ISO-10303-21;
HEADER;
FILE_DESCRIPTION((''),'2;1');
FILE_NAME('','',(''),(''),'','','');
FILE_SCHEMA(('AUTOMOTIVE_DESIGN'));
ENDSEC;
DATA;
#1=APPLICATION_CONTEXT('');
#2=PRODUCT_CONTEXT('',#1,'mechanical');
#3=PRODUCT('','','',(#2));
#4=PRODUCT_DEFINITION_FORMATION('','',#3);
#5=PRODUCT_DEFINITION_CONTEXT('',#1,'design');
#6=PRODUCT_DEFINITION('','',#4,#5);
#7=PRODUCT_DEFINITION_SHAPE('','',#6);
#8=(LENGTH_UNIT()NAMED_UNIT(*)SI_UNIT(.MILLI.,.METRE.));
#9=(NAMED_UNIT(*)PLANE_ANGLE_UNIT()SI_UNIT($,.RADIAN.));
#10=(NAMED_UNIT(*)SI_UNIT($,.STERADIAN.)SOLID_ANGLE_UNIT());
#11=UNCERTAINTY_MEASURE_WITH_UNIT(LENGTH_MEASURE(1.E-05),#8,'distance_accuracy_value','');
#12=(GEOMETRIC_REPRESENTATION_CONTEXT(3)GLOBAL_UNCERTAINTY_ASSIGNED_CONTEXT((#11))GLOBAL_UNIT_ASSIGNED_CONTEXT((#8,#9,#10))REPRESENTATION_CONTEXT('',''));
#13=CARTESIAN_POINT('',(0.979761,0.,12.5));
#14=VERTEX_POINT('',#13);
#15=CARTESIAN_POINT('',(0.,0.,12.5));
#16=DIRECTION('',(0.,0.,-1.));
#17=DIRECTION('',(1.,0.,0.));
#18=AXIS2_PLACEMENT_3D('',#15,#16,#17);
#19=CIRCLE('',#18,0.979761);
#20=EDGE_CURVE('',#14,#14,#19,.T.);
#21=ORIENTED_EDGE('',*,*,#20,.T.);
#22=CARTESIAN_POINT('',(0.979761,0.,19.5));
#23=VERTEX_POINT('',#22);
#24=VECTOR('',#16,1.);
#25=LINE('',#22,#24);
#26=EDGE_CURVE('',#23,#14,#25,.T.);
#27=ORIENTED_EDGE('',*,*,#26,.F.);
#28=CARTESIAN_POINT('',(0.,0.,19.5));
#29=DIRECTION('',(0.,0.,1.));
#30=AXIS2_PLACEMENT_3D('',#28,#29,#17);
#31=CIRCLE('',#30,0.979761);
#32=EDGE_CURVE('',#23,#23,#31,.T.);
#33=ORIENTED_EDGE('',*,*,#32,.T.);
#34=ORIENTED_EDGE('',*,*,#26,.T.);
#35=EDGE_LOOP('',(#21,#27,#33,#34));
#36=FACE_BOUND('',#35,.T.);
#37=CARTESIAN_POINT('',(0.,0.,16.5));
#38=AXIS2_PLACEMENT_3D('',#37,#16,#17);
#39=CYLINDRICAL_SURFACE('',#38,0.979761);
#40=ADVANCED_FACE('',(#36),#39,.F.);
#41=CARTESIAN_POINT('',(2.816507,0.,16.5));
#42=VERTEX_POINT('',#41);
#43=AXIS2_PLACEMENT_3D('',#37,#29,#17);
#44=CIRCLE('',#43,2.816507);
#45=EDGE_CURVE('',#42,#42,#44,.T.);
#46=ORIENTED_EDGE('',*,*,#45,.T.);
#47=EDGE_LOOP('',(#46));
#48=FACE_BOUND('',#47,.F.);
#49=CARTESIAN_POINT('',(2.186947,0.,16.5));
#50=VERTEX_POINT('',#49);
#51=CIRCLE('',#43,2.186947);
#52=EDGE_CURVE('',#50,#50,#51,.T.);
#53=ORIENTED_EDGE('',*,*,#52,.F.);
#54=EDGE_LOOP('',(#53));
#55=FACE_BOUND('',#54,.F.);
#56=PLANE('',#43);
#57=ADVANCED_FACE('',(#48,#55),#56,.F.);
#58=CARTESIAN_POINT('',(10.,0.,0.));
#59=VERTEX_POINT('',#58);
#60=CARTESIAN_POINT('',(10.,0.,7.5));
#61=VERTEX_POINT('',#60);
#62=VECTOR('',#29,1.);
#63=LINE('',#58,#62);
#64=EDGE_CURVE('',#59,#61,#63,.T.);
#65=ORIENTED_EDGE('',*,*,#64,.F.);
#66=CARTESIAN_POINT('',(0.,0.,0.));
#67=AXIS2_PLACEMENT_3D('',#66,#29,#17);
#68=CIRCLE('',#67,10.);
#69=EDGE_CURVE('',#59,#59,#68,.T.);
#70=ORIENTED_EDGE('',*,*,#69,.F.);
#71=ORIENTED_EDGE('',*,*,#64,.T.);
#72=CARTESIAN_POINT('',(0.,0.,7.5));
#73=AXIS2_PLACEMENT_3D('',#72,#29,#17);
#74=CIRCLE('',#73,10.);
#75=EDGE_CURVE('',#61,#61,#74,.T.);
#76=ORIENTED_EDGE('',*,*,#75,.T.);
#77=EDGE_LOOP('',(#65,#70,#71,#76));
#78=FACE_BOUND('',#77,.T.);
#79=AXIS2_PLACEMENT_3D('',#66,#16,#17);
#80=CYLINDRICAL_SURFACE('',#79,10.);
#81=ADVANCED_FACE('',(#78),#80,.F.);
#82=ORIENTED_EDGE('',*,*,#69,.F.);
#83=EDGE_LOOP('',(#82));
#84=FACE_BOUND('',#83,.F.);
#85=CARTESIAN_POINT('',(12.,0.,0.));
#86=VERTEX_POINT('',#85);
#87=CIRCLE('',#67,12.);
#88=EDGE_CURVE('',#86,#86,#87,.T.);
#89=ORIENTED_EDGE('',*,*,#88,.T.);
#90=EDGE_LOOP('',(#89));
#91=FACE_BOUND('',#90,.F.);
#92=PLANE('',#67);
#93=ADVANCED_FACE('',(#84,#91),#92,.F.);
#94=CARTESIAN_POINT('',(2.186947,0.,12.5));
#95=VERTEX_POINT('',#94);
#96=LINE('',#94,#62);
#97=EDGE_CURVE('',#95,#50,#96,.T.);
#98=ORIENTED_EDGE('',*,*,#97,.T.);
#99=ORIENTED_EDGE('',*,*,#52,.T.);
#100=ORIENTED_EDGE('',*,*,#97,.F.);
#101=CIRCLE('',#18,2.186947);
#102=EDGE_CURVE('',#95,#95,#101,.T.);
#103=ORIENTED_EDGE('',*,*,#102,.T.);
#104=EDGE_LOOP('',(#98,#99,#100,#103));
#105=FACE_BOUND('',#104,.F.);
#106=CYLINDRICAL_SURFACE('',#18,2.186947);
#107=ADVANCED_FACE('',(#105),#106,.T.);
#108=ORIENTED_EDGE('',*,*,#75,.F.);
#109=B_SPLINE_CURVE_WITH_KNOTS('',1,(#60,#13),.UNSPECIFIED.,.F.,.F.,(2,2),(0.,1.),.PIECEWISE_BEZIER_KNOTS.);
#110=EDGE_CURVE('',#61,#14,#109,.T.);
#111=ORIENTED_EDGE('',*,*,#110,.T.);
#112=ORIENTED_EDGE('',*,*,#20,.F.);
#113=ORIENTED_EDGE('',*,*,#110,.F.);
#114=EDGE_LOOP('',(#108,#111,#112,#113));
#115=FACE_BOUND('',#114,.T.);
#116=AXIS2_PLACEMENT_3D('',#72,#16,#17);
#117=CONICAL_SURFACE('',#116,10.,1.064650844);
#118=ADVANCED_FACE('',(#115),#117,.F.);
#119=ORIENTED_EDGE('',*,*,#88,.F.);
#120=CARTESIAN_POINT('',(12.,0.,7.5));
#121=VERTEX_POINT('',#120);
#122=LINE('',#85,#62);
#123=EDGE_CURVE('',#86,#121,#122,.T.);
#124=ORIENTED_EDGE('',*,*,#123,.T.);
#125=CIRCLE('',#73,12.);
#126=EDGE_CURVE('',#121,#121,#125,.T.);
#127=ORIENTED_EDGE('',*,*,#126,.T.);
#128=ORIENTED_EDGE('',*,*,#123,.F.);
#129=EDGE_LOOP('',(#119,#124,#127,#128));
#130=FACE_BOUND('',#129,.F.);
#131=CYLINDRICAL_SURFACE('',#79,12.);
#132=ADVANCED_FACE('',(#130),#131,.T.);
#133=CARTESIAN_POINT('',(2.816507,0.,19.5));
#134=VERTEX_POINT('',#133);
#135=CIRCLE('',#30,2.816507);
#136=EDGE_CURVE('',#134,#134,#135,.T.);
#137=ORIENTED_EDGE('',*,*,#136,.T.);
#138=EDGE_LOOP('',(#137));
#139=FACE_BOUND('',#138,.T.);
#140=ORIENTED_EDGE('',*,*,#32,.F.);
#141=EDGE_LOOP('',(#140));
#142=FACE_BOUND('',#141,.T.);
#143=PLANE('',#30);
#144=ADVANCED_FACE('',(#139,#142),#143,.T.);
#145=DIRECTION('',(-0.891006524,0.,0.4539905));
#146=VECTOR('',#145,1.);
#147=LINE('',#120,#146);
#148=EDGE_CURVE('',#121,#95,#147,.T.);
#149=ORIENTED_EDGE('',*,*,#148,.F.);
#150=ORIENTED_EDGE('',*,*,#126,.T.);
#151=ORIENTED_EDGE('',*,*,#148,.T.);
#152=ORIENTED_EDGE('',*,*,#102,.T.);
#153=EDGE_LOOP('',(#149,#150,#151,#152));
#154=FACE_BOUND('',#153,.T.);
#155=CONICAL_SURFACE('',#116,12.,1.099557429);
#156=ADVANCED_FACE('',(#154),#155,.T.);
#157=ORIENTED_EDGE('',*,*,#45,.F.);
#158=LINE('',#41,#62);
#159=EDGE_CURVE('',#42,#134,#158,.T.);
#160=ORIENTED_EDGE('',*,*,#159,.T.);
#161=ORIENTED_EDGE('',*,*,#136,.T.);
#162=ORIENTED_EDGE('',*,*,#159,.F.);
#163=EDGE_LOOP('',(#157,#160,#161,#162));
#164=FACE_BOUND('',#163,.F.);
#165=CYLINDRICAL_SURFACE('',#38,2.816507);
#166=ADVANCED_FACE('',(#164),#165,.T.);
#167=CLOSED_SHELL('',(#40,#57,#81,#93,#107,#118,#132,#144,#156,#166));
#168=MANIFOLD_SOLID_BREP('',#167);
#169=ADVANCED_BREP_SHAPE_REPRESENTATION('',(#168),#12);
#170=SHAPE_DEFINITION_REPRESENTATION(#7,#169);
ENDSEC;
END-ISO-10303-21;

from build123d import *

# Parameters (mm, degrees)
F0_R     = 12
F0_R_2   = 10
F1_DEPTH = 7.5
F2_R     = 12
F3_DEPTH = 5
F3_TAPER = 63
F4_R     = 10
F5_DEPTH = 5
F5_TAPER = 61
F6_R     = 2.1869474725
F6_R_2   = 0.9797612236
F7_DEPTH = 4
F8_R     = 2.8165068541
F8_R_2   = 2.1869474725
F8_R_3   = 0.9797612236
F9_DEPTH = 3


with BuildPart() as f1:
    # F0 (on Top) → F1 (new body)
    with BuildSketch(Plane.XY):
        Circle(F0_R)
        Circle(F0_R_2, mode=Mode.SUBTRACT)
    extrude(amount=F1_DEPTH)

    # F2 (on face) → F3 (join)
    with BuildSketch(Plane.XY.offset(7.5)):
        Circle(F2_R)
    extrude(amount=F3_DEPTH, taper=F3_TAPER)

    # F4 (on face) → F5 (cut)
    with BuildSketch(Plane(origin=(0, 0, 7.5), x_dir=(1, 0, 0), z_dir=(0, 0, -1))):
        Circle(F4_R)
    extrude(amount=-F5_DEPTH, taper=F5_TAPER, mode=Mode.SUBTRACT)

    # F6 (on face) → F7 (join)
    with BuildSketch(Plane.XY.offset(12.5)):
        Circle(F6_R)
        Circle(F6_R_2, mode=Mode.SUBTRACT)
    extrude(amount=F7_DEPTH)

    # F8 (on face) → F9 (join)
    with BuildSketch(Plane.XY.offset(16.5)):
        Circle(F8_R)
        Circle(F8_R_2, mode=Mode.SUBTRACT)
        Circle(F8_R_2)
        Circle(F8_R_3, mode=Mode.SUBTRACT)
    extrude(amount=F9_DEPTH)


solid = f1.part
